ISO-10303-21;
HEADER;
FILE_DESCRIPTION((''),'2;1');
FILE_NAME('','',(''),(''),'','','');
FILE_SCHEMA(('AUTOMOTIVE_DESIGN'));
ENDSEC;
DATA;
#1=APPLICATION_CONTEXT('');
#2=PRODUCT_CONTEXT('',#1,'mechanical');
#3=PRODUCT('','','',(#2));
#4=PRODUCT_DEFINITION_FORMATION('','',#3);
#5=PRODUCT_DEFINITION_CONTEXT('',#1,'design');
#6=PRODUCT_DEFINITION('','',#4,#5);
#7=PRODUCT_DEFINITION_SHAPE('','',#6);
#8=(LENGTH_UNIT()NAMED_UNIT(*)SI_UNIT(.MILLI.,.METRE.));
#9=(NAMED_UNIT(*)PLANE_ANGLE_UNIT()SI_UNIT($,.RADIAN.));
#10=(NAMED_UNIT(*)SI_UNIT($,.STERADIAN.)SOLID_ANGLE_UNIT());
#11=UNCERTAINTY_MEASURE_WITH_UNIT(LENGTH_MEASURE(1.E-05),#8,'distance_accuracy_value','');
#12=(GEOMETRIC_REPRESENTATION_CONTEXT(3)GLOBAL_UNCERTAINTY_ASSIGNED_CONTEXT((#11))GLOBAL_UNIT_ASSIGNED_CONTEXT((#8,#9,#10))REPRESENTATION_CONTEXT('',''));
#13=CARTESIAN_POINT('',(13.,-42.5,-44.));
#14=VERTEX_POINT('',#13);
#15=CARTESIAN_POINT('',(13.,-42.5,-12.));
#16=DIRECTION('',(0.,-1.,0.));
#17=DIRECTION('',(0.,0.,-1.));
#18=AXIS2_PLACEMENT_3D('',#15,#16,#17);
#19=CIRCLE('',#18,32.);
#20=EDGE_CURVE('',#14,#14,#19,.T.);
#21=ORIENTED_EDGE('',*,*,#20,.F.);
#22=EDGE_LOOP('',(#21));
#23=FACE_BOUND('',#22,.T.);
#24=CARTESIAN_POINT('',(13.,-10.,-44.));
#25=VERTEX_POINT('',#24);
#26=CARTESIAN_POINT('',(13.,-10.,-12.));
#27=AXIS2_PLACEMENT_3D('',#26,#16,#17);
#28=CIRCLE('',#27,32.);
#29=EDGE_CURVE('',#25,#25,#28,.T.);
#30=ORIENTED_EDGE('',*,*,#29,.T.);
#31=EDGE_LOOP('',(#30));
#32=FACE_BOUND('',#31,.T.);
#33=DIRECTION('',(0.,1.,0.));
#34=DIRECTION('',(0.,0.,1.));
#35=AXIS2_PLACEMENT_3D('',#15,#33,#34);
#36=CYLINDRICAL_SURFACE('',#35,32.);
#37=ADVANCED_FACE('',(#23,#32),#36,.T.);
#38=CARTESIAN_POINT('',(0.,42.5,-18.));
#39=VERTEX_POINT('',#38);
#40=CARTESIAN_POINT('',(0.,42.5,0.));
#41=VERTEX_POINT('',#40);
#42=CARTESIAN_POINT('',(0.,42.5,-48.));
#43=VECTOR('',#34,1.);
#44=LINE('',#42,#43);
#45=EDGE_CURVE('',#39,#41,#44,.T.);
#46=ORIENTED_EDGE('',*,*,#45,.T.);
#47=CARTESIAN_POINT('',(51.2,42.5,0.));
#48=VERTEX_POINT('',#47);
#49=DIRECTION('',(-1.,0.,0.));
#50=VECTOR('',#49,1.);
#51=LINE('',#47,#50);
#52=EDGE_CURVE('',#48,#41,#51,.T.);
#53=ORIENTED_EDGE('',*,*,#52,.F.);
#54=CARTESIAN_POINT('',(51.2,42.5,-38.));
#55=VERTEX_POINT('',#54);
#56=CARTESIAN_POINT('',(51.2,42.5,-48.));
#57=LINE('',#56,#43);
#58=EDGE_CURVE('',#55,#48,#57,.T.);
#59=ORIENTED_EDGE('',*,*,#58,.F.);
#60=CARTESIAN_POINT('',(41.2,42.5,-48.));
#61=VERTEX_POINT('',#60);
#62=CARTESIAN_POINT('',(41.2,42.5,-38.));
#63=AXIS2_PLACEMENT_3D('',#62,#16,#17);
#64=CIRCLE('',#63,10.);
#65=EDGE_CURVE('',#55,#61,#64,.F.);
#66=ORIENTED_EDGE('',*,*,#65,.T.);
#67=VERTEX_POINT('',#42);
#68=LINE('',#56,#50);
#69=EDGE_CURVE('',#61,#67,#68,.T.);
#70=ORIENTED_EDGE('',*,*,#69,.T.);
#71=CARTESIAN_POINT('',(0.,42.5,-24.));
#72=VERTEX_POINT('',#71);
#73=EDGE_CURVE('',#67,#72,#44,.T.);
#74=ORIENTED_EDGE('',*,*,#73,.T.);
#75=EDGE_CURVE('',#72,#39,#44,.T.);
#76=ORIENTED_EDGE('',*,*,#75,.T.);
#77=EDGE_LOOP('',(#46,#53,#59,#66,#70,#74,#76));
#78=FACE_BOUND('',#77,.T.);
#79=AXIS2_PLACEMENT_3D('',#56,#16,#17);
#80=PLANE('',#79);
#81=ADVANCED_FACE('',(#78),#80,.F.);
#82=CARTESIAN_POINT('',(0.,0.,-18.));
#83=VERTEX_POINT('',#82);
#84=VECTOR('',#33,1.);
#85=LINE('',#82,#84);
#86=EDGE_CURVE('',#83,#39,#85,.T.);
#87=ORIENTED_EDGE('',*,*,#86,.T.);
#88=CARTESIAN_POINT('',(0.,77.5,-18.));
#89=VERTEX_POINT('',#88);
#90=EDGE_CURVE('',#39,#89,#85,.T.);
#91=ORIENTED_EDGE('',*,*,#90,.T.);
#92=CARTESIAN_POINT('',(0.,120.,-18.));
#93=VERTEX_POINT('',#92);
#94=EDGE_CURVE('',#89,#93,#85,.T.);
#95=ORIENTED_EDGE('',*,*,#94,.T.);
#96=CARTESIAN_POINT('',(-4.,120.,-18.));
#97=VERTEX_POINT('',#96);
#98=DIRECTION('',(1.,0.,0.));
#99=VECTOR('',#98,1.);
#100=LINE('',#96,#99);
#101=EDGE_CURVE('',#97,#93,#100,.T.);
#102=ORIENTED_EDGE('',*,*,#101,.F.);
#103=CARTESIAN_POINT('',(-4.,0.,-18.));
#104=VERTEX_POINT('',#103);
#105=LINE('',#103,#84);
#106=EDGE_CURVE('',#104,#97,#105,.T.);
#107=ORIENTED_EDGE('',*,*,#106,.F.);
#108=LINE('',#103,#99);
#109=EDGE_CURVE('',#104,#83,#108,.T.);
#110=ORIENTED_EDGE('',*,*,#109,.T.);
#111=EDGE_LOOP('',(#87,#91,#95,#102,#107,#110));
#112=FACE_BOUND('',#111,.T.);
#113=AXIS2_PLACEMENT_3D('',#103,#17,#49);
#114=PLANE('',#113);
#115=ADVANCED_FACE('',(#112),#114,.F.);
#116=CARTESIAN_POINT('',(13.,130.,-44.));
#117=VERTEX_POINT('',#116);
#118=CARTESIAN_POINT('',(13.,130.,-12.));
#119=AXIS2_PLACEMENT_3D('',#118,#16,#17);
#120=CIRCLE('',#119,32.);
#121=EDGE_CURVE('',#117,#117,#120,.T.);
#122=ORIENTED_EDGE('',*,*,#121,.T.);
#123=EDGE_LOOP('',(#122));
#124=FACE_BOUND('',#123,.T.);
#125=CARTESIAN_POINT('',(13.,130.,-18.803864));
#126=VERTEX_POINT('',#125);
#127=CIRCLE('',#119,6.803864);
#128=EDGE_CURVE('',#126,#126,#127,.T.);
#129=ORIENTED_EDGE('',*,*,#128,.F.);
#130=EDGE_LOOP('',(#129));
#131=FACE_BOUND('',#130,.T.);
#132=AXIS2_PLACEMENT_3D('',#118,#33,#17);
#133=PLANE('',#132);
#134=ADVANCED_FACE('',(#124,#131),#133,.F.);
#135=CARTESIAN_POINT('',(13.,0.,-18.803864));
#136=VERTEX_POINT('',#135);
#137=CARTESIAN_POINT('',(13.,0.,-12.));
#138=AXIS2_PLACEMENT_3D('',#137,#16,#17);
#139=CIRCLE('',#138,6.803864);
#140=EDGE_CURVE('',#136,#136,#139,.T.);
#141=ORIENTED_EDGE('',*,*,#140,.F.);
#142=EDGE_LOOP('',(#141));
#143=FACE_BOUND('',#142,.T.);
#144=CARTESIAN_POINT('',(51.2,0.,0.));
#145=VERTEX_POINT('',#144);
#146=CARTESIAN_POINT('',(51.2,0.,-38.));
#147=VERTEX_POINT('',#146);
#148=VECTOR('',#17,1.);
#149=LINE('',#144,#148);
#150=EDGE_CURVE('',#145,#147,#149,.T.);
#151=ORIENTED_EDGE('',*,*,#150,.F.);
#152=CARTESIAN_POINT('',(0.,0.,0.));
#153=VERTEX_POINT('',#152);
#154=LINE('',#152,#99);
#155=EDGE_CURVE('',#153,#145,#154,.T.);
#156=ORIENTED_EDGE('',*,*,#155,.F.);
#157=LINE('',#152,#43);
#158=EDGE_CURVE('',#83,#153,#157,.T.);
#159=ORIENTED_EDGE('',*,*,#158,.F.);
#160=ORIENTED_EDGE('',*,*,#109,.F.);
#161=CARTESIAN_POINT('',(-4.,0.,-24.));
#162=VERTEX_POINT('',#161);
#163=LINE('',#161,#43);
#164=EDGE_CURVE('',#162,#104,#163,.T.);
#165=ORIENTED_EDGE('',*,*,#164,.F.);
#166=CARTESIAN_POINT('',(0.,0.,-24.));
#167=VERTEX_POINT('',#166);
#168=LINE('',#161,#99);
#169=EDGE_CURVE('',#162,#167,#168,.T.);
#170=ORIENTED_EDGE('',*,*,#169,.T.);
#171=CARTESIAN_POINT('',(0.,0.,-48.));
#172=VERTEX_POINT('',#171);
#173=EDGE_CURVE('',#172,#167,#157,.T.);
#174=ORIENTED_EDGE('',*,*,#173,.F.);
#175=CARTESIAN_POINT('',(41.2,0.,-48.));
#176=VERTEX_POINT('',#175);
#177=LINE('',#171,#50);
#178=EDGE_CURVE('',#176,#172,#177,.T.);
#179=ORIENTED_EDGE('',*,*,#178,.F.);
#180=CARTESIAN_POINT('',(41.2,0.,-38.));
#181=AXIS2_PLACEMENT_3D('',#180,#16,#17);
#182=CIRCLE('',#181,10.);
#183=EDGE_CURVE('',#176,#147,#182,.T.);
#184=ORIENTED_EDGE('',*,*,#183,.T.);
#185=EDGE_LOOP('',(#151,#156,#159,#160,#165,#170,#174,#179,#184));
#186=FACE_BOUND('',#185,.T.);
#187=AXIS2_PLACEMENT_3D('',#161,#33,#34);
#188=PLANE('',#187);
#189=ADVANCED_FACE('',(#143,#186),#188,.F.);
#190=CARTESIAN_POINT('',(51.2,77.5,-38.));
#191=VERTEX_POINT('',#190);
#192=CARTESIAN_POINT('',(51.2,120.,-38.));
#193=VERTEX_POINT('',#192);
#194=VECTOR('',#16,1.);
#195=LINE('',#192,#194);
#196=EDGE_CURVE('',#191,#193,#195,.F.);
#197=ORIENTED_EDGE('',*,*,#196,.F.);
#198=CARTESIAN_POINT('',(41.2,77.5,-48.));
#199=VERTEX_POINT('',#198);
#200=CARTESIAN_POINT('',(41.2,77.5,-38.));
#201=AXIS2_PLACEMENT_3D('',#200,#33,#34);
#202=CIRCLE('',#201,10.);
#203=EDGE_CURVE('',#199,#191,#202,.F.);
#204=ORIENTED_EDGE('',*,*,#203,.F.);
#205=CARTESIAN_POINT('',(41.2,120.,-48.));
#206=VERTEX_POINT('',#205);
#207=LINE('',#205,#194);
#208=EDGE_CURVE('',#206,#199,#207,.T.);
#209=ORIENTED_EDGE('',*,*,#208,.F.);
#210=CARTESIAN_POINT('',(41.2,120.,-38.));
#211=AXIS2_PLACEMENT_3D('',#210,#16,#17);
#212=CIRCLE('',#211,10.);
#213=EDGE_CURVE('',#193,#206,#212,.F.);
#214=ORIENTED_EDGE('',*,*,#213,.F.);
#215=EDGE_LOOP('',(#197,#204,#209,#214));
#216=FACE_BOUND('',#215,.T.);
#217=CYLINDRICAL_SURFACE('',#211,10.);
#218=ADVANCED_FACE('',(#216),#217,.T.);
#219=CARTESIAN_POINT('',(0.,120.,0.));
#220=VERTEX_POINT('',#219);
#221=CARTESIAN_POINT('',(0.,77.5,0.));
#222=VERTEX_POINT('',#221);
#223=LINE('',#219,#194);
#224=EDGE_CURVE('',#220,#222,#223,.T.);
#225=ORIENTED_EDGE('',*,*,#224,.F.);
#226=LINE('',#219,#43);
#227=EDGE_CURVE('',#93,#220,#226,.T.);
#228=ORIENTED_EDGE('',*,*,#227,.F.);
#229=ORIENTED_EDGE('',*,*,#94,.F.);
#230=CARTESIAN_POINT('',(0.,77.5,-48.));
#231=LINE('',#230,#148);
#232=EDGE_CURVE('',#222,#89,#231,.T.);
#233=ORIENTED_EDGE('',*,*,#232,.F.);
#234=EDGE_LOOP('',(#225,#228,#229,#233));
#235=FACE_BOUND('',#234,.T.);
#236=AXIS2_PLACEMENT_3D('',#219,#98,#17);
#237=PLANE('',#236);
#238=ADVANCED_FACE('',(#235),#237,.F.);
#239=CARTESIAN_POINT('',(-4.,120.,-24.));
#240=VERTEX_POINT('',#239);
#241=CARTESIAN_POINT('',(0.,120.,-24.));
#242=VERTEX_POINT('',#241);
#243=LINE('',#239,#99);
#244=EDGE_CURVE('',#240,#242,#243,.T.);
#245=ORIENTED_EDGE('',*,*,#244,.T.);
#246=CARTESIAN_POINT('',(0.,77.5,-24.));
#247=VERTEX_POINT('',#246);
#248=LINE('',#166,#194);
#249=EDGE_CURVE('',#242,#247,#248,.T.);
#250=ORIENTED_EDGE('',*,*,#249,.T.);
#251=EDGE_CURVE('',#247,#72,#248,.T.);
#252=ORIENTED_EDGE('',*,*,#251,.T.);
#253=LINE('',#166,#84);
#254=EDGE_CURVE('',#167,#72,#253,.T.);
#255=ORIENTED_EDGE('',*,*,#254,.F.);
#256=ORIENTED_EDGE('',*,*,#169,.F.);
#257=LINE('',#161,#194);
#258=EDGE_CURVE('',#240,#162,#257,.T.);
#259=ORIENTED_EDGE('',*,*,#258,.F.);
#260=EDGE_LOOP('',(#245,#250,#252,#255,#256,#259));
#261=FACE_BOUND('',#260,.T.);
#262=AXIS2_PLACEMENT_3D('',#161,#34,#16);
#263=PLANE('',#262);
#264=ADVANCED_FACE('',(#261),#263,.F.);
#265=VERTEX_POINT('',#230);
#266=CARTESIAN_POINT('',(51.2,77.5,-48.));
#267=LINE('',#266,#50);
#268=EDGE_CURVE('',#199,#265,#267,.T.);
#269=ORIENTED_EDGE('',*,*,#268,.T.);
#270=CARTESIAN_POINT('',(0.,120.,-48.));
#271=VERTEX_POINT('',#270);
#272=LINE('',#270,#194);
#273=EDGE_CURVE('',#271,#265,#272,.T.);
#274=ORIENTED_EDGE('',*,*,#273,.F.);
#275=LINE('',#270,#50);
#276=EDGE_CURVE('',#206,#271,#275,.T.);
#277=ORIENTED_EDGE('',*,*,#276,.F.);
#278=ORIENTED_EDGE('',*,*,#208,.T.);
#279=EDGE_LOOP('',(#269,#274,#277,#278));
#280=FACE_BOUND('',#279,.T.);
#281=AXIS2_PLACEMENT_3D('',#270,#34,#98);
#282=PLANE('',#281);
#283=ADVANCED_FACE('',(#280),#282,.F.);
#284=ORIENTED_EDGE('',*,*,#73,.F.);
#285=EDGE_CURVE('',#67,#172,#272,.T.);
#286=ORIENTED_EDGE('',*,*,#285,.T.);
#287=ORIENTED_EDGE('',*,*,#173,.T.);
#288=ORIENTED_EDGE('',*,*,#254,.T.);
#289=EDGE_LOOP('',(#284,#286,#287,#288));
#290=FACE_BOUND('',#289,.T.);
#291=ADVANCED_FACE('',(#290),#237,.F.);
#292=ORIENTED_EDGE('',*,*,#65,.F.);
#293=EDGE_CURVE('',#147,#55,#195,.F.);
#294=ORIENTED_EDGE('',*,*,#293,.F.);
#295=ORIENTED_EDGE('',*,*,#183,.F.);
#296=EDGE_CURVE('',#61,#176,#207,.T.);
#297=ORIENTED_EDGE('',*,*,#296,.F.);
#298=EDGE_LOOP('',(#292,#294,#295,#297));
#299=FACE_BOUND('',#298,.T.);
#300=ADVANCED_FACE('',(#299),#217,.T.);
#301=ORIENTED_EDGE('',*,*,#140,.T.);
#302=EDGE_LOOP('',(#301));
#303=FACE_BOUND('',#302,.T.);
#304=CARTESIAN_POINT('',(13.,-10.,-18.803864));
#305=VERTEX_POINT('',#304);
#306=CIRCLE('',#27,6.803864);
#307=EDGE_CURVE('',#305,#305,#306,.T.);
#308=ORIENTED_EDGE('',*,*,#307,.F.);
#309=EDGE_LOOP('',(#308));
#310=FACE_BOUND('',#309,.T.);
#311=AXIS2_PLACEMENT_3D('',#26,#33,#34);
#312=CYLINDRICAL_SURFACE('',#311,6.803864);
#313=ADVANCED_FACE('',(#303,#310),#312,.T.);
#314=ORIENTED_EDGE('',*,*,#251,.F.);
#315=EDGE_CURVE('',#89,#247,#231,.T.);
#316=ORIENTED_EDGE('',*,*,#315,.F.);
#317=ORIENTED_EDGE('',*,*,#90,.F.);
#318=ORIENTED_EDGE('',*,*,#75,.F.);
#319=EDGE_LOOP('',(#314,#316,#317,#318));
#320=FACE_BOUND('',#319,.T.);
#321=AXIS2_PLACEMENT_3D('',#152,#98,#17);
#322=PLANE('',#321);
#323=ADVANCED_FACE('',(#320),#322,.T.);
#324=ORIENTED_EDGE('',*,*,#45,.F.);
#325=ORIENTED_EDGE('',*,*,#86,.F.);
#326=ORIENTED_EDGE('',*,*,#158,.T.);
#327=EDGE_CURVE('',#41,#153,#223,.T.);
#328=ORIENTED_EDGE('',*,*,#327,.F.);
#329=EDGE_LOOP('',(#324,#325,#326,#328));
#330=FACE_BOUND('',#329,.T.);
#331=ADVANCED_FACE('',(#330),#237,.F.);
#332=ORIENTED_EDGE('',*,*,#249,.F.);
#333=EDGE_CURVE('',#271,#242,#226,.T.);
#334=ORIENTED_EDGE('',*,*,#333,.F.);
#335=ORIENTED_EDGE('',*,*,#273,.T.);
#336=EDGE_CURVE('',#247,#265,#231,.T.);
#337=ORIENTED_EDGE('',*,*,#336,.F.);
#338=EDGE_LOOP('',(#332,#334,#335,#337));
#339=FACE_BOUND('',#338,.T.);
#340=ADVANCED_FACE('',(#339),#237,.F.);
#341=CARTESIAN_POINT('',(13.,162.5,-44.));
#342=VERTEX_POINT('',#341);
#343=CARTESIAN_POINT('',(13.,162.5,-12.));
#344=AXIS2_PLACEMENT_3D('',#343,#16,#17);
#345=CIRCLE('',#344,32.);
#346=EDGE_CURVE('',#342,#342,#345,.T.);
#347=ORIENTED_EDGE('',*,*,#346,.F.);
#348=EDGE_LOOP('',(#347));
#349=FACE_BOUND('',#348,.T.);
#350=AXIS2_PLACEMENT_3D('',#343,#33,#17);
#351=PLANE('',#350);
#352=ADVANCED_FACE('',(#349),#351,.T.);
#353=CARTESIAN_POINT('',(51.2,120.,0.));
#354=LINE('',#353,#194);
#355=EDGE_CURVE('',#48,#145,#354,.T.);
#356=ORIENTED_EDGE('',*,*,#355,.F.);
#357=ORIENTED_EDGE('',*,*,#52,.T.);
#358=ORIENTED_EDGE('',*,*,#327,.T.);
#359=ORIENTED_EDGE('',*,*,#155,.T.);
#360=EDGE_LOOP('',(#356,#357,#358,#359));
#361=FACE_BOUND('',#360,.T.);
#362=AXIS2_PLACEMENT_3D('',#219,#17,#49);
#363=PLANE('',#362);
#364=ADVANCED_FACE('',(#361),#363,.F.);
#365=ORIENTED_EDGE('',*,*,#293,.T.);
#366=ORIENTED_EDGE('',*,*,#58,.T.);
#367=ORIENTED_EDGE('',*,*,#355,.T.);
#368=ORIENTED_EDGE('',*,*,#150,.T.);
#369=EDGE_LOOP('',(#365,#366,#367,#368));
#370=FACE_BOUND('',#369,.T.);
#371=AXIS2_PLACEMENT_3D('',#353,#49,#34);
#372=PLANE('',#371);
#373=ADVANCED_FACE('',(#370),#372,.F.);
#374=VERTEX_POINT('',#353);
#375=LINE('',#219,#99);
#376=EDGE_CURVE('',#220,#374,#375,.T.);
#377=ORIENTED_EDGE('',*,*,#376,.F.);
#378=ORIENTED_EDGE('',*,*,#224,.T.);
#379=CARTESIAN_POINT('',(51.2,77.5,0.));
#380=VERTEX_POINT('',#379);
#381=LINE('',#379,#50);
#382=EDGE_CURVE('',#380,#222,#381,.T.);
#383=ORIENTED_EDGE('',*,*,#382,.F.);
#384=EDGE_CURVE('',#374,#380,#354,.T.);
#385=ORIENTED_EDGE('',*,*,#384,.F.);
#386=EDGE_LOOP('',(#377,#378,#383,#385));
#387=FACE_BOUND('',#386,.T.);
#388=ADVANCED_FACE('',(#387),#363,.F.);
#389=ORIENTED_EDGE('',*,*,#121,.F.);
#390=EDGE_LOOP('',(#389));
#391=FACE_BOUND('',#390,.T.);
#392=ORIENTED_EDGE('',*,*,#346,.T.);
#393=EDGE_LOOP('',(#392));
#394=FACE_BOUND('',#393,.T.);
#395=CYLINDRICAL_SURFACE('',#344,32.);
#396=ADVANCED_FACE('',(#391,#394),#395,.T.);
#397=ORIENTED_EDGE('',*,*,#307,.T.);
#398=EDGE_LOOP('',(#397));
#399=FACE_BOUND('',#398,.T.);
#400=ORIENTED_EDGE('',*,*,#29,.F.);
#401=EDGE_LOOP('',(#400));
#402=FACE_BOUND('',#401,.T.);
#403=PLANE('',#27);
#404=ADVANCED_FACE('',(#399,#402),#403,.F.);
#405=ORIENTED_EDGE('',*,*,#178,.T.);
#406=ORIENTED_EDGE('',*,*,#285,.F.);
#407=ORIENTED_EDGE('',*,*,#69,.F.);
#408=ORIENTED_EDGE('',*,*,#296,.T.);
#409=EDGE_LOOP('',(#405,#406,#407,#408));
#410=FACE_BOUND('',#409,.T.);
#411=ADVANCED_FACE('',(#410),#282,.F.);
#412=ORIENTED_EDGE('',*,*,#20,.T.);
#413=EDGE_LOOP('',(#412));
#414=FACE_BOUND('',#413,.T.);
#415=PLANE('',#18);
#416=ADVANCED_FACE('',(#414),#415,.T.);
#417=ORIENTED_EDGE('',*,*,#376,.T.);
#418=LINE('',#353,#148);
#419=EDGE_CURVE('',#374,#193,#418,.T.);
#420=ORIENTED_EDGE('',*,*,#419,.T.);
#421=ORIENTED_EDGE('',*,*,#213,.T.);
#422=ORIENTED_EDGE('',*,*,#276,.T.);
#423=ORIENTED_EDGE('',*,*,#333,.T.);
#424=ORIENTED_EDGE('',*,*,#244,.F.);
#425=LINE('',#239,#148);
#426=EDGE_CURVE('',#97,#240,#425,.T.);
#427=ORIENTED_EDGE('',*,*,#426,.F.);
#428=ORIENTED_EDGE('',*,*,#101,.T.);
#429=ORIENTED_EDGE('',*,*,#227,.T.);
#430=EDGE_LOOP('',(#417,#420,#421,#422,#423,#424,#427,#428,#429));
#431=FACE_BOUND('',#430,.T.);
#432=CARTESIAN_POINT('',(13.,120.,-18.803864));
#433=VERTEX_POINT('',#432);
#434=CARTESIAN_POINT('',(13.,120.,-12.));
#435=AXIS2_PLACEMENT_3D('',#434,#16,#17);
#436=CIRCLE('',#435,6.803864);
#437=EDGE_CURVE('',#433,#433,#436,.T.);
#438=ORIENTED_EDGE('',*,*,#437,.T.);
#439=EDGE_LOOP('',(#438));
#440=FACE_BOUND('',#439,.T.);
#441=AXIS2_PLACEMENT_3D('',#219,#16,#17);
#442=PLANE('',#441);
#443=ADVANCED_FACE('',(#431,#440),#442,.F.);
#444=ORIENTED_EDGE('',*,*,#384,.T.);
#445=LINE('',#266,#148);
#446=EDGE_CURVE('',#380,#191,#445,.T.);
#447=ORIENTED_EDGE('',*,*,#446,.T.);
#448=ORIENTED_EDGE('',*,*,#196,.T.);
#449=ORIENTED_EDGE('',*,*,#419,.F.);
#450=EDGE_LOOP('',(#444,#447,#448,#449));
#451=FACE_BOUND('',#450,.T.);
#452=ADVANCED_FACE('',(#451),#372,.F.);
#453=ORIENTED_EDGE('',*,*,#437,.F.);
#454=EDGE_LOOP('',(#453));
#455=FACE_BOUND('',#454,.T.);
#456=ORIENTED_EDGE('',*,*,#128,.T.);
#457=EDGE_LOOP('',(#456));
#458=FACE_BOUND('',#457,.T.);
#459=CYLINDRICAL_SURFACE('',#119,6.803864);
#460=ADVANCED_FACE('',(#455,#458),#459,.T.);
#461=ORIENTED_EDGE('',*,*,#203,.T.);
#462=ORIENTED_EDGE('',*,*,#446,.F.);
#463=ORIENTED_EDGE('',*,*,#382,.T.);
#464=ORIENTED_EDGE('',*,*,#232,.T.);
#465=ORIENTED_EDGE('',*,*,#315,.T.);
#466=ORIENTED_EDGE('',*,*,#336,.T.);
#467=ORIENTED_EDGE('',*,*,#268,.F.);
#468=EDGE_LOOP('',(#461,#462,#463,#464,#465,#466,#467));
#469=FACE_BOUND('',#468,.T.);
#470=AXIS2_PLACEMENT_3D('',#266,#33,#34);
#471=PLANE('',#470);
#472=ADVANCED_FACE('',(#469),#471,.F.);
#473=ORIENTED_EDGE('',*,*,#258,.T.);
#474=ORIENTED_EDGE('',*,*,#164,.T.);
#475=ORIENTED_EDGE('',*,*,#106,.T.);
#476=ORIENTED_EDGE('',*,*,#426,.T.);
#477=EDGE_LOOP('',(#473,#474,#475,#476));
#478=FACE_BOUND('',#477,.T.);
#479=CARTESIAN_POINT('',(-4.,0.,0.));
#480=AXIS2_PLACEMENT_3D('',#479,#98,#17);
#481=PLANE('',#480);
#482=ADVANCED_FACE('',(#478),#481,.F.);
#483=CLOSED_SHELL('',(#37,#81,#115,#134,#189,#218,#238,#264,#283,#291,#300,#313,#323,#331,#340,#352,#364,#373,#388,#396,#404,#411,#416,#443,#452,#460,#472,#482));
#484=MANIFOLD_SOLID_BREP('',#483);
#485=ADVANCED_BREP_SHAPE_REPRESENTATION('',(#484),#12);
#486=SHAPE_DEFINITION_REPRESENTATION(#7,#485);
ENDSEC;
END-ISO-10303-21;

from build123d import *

# Parameters (mm, degrees)
SKETCH_1_W          = 51.2
SKETCH_1_H          = 48
EXTRUDE_1_DEPTH     = 120
FILLET_1_R          = 10
SKETCH_3_R          = 6.803864169
EXTRUDE_2_DEPTH     = 10
SKETCH_4_R          = 32
EXTRUDE_3_DEPTH     = 32.5
SKETCH_5_W          = 48
SKETCH_5_H          = 35
CUT_EXTRUDE_1_DEPTH = 178.007598707
SKETCH_6_W          = 6
SKETCH_6_H          = 120
EXTRUDE_6_DEPTH     = 4


with BuildPart() as part:
    # 草图1 → 凸台-拉伸1 (new body)
    with BuildSketch(Plane(origin=(0, 0, 0), x_dir=(1, 0, 0), z_dir=(0, 1, 0))):
        with Locations((25.6, 24)):
            Rectangle(SKETCH_1_W, SKETCH_1_H)
    extrude(amount=EXTRUDE_1_DEPTH)

    # 圆角1
    fillet_1_edges = [part.edges().sort_by_distance(p)[0] for p in [
        (51.2, 60, -48),
    ]]
    fillet(fillet_1_edges, radius=FILLET_1_R)

    # 草图3 → 凸台-拉伸2 (add)
    with BuildSketch(Plane.XZ):
        with Locations(Location((13, -12, 0), (0, 0, 270))):
            Circle(SKETCH_3_R)
    extrude_2 = extrude(amount=EXTRUDE_2_DEPTH)

    # 草图4 → 凸台-拉伸3 (add)
    with BuildSketch(Plane.XZ.offset(10)):
        with Locations(Location((13, -12, 0), (0, 0, 270))):
            Circle(SKETCH_4_R)
    extrude_3 = extrude(amount=EXTRUDE_3_DEPTH)

    # 镜向1: 凸台-拉伸2, 凸台-拉伸3 across plane
    add(extrude_2.mirror(Plane(origin=(0, 60, 0), x_dir=(0, 0, 1), z_dir=(0, -1, 0))))
    add(extrude_3.mirror(Plane(origin=(0, 60, 0), x_dir=(0, 0, 1), z_dir=(0, -1, 0))))

    # 草图5 → 切除-拉伸1 (cut, through all)
    with BuildSketch(Plane.ZY):
        with Locations((-24, 60)):
            Rectangle(SKETCH_5_W, SKETCH_5_H)
    extrude(amount=-CUT_EXTRUDE_1_DEPTH, mode=Mode.SUBTRACT)


with BuildPart() as cut_extrude_1_piece_1:
    # of the separate pieces the step leaves, piece 1, a body of its own (cut_extrude_1_pieces)
    add(part.part.solids().sort_by_distance((13, 130, -44))[0])



with BuildPart() as cut_extrude_1_piece_2:
    # of the separate pieces the step leaves, piece 2, a body of its own (cut_extrude_1_pieces)
    add(part.part.solids().sort_by_distance((51.2, 0, -38))[0])


with BuildPart() as cut_extrude_1_piece_1_1:
    add(cut_extrude_1_piece_1.part)

    add(cut_extrude_1_piece_2.part)  # 凸台-拉伸6 merges 切除-拉伸1 piece 2
    # 草图6 → 凸台-拉伸6 (add)
    with BuildSketch(Plane.ZY):
        with Locations((-21, 60)):
            Rectangle(SKETCH_6_W, SKETCH_6_H)
    extrude(amount=EXTRUDE_6_DEPTH)


solid = cut_extrude_1_piece_1_1.part
